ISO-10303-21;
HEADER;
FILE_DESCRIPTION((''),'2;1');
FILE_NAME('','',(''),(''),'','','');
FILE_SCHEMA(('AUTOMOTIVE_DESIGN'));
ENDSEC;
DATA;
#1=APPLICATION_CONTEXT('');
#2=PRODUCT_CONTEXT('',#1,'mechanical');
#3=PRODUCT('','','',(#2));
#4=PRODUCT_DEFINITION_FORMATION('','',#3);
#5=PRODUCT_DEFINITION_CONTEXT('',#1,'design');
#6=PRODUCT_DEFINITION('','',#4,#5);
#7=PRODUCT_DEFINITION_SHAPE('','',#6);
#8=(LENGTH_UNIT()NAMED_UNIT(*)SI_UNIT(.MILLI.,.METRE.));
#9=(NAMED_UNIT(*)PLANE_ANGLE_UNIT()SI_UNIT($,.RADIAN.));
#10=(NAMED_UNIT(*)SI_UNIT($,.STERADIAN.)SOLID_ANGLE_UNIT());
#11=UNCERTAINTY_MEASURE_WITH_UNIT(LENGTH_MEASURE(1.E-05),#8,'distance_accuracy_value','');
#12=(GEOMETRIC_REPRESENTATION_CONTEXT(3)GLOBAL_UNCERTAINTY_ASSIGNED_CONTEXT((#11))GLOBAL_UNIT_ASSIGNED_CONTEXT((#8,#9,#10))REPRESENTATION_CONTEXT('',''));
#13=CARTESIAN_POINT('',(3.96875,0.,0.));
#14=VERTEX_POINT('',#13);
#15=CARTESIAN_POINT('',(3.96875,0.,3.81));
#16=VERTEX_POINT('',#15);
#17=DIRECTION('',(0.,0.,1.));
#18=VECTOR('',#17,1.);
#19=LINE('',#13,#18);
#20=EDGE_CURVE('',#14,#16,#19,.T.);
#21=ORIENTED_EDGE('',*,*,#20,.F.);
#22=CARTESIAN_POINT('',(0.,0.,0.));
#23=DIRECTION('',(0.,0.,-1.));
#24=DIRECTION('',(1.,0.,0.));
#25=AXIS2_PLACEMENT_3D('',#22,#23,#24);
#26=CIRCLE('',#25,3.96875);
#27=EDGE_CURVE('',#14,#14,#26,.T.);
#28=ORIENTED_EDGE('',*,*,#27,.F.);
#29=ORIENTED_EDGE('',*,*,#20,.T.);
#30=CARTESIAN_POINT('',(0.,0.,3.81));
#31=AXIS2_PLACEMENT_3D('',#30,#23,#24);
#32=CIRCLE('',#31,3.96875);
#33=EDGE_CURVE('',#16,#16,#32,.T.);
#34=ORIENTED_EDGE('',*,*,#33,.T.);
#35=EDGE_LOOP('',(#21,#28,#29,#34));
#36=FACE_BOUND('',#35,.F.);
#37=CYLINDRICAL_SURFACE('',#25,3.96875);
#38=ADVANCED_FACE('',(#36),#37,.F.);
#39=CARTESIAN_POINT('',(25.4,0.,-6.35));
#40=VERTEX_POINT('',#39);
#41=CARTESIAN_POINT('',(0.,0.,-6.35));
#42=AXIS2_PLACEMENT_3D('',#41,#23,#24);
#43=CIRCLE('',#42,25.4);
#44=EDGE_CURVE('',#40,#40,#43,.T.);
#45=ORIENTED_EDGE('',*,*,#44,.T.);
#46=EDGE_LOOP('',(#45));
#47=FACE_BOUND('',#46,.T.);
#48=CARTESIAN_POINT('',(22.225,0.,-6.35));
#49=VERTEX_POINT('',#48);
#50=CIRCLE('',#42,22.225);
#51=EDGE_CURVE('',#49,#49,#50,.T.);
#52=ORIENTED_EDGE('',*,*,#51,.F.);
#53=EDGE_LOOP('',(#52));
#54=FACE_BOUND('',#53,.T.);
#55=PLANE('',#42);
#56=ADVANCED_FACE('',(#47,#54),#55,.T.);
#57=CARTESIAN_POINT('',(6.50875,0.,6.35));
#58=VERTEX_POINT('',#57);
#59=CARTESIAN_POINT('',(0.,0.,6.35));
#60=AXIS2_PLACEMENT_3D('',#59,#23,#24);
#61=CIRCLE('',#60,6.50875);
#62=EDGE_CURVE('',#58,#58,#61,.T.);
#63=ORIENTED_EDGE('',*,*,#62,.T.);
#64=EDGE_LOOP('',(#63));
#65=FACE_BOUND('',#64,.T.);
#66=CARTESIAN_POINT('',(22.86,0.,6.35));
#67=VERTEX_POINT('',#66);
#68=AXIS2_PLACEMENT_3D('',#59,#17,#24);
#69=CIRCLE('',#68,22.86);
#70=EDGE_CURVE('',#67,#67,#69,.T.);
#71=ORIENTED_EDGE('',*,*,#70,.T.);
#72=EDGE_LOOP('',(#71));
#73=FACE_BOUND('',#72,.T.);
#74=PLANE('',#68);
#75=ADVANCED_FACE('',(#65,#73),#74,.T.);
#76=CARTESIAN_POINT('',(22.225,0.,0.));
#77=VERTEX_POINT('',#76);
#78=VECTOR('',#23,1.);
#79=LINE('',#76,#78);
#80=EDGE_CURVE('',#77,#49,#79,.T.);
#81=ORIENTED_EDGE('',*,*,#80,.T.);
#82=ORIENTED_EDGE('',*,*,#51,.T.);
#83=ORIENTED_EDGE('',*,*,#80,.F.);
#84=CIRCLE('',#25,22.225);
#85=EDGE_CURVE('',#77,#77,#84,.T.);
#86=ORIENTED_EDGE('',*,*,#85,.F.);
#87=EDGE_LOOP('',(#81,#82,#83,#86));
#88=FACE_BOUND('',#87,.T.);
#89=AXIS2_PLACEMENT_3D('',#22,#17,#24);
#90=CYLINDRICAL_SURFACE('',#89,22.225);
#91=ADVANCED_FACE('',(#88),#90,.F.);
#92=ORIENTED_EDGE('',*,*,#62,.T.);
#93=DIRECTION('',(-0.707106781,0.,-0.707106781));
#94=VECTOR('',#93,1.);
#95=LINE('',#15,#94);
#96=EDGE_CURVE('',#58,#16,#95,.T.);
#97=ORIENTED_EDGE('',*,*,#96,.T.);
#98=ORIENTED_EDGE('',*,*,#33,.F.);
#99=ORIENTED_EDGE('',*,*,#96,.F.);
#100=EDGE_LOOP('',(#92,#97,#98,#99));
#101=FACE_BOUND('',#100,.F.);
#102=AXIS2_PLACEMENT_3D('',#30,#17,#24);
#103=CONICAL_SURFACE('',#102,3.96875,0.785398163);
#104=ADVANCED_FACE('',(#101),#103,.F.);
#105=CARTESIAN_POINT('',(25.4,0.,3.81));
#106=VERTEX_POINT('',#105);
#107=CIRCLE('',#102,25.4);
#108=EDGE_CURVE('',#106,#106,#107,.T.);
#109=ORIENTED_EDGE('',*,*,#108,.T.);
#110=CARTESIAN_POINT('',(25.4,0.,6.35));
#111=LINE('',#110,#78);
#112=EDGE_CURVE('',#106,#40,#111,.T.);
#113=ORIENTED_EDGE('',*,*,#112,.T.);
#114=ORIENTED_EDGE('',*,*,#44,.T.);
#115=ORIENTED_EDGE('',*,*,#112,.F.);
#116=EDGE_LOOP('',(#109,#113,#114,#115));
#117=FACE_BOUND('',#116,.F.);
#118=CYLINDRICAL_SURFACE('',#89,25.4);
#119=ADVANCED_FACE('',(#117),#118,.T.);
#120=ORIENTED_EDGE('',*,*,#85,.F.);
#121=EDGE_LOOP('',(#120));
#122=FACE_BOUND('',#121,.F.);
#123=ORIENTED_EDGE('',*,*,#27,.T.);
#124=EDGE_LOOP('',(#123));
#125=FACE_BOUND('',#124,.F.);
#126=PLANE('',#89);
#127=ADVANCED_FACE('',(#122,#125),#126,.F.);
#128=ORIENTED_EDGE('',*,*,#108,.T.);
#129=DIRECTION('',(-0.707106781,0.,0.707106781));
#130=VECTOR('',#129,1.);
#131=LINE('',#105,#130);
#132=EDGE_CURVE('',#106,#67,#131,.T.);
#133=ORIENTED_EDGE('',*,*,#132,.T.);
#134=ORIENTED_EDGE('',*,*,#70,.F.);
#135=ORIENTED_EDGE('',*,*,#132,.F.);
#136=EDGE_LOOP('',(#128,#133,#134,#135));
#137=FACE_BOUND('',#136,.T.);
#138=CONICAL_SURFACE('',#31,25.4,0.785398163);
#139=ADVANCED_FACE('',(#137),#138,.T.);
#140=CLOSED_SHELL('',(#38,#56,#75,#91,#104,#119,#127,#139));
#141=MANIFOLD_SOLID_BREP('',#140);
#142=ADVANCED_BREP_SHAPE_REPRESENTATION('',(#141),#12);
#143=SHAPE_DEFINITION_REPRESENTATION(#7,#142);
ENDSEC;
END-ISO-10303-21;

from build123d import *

# Parameters (mm, degrees)
F0_R     = 25.4
F1_DEPTH = 6.35
F2_R     = 3.96875
F3_DEPTH = 25.4
F2_R_2   = 25.4
F2_R_3   = 22.225
F4_DEPTH = 6.35
F5_SIZE  = 2.54


with BuildPart() as f1:
    # F0 (on Top) → F1 (new body)
    with BuildSketch(Plane.XY):
        Circle(F0_R)
    extrude(amount=F1_DEPTH)

    # F2 (on face) → F3 (cut)
    with BuildSketch(Plane(origin=(0, 0, 0), x_dir=(1, 0, 0), z_dir=(0, 0, -1))):
        Circle(F2_R)
    extrude(amount=-F3_DEPTH, mode=Mode.SUBTRACT)

    # F2 (on face) → F4 (join)
    with BuildSketch(Plane(origin=(0, 0, 0), x_dir=(1, 0, 0), z_dir=(0, 0, -1))):
        Circle(F2_R_2)
        Circle(F2_R_3, mode=Mode.SUBTRACT)
    extrude(amount=F4_DEPTH)

    # F5
    f5_edges = [f1.edges().sort_by_distance(p)[0] for p in [
        (-3.96875, 0, 6.35),
        (-25.4, 0, 6.35),
    ]]
    chamfer(f5_edges, length=F5_SIZE)


solid = f1.part
